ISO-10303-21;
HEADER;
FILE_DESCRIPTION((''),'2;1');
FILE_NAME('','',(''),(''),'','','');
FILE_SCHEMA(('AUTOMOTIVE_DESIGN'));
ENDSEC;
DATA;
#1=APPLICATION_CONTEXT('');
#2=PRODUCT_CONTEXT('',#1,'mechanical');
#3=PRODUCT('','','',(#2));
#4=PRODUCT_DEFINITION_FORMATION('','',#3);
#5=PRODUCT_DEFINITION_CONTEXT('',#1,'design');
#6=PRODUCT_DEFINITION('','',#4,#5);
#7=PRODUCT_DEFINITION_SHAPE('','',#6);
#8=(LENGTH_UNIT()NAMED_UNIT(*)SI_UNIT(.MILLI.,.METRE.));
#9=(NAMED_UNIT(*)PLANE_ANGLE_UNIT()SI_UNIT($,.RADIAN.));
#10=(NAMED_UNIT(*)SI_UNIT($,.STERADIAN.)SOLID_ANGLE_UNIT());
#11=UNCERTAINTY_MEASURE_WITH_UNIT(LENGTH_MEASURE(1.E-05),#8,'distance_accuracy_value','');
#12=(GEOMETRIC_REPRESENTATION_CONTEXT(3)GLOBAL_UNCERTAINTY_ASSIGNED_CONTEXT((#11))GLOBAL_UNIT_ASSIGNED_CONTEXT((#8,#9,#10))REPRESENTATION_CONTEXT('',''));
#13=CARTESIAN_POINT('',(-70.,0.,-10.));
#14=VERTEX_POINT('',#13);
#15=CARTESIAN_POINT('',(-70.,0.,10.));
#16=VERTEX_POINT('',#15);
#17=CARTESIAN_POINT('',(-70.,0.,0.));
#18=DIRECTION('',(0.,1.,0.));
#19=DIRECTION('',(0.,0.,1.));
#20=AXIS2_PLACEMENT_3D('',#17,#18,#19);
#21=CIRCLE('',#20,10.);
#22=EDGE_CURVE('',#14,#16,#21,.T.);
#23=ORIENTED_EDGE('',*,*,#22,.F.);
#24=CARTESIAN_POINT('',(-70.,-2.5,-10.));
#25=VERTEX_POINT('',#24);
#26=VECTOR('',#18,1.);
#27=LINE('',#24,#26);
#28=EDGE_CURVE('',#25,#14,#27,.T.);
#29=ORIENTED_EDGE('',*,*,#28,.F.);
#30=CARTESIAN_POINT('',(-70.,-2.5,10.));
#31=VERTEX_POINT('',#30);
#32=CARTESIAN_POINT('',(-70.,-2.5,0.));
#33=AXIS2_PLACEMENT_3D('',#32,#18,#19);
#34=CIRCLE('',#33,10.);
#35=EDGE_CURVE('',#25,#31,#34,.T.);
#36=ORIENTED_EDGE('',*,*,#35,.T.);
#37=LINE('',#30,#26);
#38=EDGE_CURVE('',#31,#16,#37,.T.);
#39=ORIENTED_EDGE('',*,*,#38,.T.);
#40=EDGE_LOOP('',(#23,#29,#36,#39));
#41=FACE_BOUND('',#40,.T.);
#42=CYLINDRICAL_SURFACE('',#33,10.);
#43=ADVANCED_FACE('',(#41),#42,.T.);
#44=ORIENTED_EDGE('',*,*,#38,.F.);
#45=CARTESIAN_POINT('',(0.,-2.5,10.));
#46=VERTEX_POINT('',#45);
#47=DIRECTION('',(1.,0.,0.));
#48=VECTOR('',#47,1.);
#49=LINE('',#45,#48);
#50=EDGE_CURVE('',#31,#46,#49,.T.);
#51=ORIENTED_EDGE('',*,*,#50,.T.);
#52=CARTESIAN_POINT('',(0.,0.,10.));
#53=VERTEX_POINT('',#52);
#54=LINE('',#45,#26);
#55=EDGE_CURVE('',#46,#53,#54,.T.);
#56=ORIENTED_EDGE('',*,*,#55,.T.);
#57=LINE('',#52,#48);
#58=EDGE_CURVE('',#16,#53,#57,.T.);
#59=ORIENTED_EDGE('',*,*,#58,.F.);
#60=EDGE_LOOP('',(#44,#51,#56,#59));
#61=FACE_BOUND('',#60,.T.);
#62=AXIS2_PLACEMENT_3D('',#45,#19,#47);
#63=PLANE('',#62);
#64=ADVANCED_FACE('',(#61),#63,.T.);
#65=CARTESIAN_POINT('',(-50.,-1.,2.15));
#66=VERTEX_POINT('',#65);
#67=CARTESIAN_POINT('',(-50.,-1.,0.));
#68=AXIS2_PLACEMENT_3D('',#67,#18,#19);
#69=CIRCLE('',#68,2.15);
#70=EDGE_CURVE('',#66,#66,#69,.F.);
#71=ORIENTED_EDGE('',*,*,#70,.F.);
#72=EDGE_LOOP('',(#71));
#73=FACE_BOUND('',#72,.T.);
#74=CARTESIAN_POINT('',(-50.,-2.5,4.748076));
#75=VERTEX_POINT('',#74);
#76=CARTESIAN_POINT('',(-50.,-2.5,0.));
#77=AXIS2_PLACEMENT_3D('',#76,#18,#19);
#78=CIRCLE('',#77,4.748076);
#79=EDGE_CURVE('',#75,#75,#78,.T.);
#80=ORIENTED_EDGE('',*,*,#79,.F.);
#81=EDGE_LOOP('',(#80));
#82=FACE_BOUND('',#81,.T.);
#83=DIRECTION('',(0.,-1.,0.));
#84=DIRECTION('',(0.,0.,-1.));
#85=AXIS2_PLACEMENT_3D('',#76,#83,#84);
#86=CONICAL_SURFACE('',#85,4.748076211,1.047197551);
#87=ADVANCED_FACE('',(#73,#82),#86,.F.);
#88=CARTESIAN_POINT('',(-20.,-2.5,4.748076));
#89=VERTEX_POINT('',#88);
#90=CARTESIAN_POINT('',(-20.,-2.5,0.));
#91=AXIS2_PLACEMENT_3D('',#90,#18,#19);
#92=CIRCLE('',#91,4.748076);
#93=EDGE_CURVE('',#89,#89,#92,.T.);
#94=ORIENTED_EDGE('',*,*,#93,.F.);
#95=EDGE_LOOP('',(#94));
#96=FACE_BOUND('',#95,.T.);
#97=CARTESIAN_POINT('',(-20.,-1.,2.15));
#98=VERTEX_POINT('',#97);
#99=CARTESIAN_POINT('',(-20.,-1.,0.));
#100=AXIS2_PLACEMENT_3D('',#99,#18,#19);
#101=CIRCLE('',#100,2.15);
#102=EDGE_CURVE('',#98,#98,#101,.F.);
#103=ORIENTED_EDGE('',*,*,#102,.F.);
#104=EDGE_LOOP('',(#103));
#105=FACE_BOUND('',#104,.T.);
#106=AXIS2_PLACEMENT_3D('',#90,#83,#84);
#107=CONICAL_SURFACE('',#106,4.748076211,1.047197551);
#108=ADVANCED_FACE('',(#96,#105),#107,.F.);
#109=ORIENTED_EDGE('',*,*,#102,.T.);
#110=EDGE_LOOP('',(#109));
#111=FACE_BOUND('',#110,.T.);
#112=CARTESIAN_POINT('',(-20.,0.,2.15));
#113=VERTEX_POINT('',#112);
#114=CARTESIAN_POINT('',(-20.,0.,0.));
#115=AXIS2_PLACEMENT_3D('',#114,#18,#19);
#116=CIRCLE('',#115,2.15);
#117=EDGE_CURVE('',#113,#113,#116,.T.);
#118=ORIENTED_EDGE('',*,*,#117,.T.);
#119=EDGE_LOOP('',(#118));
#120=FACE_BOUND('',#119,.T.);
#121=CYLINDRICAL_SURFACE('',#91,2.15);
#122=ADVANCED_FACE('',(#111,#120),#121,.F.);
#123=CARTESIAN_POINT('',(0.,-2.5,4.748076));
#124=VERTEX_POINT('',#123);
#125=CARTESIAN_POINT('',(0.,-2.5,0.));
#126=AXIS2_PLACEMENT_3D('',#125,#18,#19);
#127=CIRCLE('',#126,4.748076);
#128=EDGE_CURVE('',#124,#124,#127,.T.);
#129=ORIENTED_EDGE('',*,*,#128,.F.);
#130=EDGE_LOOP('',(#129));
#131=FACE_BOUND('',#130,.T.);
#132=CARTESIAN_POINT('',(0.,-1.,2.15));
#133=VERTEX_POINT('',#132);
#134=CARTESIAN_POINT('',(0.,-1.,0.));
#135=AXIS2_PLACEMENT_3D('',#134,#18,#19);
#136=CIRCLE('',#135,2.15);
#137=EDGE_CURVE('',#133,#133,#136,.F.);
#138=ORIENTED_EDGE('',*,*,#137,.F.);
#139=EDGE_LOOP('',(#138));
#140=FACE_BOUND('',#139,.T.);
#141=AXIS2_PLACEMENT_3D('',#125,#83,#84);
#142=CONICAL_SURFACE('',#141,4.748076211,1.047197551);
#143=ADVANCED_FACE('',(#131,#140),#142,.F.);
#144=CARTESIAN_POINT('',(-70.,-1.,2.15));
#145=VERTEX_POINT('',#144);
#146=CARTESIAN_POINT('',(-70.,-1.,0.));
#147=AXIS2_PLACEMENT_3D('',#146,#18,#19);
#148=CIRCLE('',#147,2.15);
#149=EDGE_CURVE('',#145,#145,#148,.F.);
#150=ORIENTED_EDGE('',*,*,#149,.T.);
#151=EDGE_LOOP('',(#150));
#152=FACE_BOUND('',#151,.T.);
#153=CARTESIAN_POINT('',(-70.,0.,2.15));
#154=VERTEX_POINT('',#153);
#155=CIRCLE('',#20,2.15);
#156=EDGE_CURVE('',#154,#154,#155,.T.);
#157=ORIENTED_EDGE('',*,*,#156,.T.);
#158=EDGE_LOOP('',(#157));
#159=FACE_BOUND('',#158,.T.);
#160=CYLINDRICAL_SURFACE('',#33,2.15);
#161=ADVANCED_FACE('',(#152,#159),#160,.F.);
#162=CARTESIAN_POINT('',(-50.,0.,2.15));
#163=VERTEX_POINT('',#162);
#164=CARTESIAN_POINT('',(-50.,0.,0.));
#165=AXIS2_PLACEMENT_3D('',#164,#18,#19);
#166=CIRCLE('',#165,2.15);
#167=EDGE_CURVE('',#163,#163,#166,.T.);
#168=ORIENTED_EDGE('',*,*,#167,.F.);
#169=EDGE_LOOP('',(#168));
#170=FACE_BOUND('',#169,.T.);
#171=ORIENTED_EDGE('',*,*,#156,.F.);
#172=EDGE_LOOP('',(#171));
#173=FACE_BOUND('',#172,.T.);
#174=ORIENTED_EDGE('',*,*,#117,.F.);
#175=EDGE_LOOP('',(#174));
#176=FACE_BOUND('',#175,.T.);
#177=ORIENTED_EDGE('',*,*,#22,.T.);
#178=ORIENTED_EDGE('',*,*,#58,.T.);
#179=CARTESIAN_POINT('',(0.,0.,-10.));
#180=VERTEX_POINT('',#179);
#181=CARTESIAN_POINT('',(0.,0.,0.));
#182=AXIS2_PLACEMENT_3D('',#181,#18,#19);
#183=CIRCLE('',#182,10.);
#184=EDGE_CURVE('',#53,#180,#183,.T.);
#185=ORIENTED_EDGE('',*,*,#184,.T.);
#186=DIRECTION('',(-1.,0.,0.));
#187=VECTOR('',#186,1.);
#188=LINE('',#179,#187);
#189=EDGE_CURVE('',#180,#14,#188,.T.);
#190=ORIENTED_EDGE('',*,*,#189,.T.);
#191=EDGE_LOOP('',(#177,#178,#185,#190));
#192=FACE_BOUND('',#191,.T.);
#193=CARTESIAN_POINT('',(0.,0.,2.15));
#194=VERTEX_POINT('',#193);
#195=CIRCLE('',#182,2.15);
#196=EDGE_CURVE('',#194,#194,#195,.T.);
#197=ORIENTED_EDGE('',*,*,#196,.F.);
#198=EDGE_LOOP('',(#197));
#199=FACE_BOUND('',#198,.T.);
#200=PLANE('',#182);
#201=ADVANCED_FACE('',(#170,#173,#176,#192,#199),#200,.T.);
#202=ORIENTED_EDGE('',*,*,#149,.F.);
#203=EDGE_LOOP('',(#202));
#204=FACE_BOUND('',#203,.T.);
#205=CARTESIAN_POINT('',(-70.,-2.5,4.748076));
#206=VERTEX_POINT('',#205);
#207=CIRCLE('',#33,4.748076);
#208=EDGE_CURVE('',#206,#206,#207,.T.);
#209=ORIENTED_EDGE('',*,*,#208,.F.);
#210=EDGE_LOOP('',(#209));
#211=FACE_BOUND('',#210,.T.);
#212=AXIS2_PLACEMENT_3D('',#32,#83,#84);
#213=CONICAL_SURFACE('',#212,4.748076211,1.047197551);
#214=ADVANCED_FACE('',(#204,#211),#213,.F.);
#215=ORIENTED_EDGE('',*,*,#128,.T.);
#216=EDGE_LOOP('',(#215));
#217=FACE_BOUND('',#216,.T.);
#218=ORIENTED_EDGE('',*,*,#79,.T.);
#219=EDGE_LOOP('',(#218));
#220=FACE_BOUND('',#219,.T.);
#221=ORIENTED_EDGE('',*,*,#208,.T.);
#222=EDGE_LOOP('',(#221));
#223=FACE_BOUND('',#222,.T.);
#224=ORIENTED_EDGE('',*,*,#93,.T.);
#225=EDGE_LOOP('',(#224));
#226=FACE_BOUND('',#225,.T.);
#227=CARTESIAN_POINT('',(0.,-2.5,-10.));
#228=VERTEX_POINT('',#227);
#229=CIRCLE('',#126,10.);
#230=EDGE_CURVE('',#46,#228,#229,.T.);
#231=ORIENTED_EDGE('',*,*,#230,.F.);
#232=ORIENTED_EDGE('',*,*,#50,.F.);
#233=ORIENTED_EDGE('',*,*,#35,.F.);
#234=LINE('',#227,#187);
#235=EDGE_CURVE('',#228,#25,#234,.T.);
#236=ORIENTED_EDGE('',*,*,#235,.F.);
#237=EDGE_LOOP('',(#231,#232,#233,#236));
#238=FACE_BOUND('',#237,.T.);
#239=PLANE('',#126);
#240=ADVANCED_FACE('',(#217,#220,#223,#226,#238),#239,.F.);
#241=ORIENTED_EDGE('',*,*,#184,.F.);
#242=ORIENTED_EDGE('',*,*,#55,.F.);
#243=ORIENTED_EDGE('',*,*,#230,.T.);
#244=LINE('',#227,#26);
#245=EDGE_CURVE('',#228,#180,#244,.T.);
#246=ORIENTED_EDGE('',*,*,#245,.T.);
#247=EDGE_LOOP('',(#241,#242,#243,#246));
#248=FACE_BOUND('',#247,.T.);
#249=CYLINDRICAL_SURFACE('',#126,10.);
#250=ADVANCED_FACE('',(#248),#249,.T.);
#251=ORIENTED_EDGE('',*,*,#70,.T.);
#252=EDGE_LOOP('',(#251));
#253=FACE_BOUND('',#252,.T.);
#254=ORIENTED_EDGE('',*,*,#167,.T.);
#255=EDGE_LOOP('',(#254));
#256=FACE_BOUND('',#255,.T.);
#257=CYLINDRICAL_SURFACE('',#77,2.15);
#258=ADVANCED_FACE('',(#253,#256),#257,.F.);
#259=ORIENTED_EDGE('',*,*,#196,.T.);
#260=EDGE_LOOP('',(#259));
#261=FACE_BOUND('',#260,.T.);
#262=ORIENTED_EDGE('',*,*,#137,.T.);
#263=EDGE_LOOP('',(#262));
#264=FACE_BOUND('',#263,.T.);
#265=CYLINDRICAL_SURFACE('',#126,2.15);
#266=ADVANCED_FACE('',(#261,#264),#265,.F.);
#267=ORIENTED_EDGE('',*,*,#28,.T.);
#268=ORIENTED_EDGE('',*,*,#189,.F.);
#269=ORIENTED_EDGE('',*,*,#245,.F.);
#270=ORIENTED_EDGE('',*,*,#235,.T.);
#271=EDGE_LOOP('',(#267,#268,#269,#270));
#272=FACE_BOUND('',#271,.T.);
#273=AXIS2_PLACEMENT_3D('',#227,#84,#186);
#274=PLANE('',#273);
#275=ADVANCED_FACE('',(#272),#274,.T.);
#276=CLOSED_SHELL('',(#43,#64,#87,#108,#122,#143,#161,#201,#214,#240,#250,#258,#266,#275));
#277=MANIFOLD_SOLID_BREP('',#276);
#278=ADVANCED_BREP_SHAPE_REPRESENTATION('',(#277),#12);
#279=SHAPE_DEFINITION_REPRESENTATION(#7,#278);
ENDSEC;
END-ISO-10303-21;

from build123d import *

# Parameters (mm, degrees)
SKETCH1_R             = 2.15
BOSS_EXTRUDE1_DEPTH   = 2.5
CHAMFER1_SIZE         = 1.5
CHAMFER1_SIZE2        = 2.598076211
CHAMFER1_PART_2_SIZE  = 1.5
CHAMFER1_PART_2_SIZE2 = 2.598076211
CHAMFER1_PART_3_SIZE  = 1.5
CHAMFER1_PART_3_SIZE2 = 2.598076211
CHAMFER1_PART_4_SIZE  = 1.5
CHAMFER1_PART_4_SIZE2 = 2.598076211


with BuildPart() as part:
    # Sketch1 → Boss-Extrude1 (new body)
    with BuildSketch(Plane(origin=(0, 0, 0), x_dir=(1, 0, 0), z_dir=(0, 1, 0))):
        with BuildLine():
            Line((0, -10), (-70, -10))
            ThreePointArc((-70, -10), (-80, 0), (-70, 10))
            Line((-70, 10), (0, 10))
            ThreePointArc((0, 10), (10, 0), (0, -10))
        make_face()
        Circle(SKETCH1_R, mode=Mode.SUBTRACT)
        with Locations((-70, 0)):
            Circle(SKETCH1_R, mode=Mode.SUBTRACT)
        with Locations((-20, 0)):
            Circle(SKETCH1_R, mode=Mode.SUBTRACT)
        with Locations((-50, 0)):
            Circle(SKETCH1_R, mode=Mode.SUBTRACT)
    extrude(amount=-BOSS_EXTRUDE1_DEPTH)

    # Chamfer1
    chamfer1_edges = [part.edges().sort_by_distance(p)[0] for p in [
        (-2.15, -2.5, 0),
    ]]
    chamfer1_side = [part.faces().sort_by_distance(p)[0] for p in [
        (-2.15, -1.25, 0),
    ]]
    chamfer(chamfer1_edges, length=CHAMFER1_SIZE, length2=CHAMFER1_SIZE2, reference=chamfer1_side[0])

    # Chamfer1 part 2
    chamfer1_part_2_edges = [part.edges().sort_by_distance(p)[0] for p in [
        (-72.15, -2.5, 0),
    ]]
    chamfer1_part_2_side = [part.faces().sort_by_distance(p)[0] for p in [
        (-72.15, -1.25, 0),
    ]]
    chamfer(chamfer1_part_2_edges, length=CHAMFER1_PART_2_SIZE, length2=CHAMFER1_PART_2_SIZE2, reference=chamfer1_part_2_side[0])

    # Chamfer1 part 3
    chamfer1_part_3_edges = [part.edges().sort_by_distance(p)[0] for p in [
        (-22.15, -2.5, 0),
    ]]
    chamfer1_part_3_side = [part.faces().sort_by_distance(p)[0] for p in [
        (-22.15, -1.25, 0),
    ]]
    chamfer(chamfer1_part_3_edges, length=CHAMFER1_PART_3_SIZE, length2=CHAMFER1_PART_3_SIZE2, reference=chamfer1_part_3_side[0])

    # Chamfer1 part 4
    chamfer1_part_4_edges = [part.edges().sort_by_distance(p)[0] for p in [
        (-52.15, -2.5, 0),
    ]]
    chamfer1_part_4_side = [part.faces().sort_by_distance(p)[0] for p in [
        (-52.15, -1.25, 0),
    ]]
    chamfer(chamfer1_part_4_edges, length=CHAMFER1_PART_4_SIZE, length2=CHAMFER1_PART_4_SIZE2, reference=chamfer1_part_4_side[0])


solid = part.part
